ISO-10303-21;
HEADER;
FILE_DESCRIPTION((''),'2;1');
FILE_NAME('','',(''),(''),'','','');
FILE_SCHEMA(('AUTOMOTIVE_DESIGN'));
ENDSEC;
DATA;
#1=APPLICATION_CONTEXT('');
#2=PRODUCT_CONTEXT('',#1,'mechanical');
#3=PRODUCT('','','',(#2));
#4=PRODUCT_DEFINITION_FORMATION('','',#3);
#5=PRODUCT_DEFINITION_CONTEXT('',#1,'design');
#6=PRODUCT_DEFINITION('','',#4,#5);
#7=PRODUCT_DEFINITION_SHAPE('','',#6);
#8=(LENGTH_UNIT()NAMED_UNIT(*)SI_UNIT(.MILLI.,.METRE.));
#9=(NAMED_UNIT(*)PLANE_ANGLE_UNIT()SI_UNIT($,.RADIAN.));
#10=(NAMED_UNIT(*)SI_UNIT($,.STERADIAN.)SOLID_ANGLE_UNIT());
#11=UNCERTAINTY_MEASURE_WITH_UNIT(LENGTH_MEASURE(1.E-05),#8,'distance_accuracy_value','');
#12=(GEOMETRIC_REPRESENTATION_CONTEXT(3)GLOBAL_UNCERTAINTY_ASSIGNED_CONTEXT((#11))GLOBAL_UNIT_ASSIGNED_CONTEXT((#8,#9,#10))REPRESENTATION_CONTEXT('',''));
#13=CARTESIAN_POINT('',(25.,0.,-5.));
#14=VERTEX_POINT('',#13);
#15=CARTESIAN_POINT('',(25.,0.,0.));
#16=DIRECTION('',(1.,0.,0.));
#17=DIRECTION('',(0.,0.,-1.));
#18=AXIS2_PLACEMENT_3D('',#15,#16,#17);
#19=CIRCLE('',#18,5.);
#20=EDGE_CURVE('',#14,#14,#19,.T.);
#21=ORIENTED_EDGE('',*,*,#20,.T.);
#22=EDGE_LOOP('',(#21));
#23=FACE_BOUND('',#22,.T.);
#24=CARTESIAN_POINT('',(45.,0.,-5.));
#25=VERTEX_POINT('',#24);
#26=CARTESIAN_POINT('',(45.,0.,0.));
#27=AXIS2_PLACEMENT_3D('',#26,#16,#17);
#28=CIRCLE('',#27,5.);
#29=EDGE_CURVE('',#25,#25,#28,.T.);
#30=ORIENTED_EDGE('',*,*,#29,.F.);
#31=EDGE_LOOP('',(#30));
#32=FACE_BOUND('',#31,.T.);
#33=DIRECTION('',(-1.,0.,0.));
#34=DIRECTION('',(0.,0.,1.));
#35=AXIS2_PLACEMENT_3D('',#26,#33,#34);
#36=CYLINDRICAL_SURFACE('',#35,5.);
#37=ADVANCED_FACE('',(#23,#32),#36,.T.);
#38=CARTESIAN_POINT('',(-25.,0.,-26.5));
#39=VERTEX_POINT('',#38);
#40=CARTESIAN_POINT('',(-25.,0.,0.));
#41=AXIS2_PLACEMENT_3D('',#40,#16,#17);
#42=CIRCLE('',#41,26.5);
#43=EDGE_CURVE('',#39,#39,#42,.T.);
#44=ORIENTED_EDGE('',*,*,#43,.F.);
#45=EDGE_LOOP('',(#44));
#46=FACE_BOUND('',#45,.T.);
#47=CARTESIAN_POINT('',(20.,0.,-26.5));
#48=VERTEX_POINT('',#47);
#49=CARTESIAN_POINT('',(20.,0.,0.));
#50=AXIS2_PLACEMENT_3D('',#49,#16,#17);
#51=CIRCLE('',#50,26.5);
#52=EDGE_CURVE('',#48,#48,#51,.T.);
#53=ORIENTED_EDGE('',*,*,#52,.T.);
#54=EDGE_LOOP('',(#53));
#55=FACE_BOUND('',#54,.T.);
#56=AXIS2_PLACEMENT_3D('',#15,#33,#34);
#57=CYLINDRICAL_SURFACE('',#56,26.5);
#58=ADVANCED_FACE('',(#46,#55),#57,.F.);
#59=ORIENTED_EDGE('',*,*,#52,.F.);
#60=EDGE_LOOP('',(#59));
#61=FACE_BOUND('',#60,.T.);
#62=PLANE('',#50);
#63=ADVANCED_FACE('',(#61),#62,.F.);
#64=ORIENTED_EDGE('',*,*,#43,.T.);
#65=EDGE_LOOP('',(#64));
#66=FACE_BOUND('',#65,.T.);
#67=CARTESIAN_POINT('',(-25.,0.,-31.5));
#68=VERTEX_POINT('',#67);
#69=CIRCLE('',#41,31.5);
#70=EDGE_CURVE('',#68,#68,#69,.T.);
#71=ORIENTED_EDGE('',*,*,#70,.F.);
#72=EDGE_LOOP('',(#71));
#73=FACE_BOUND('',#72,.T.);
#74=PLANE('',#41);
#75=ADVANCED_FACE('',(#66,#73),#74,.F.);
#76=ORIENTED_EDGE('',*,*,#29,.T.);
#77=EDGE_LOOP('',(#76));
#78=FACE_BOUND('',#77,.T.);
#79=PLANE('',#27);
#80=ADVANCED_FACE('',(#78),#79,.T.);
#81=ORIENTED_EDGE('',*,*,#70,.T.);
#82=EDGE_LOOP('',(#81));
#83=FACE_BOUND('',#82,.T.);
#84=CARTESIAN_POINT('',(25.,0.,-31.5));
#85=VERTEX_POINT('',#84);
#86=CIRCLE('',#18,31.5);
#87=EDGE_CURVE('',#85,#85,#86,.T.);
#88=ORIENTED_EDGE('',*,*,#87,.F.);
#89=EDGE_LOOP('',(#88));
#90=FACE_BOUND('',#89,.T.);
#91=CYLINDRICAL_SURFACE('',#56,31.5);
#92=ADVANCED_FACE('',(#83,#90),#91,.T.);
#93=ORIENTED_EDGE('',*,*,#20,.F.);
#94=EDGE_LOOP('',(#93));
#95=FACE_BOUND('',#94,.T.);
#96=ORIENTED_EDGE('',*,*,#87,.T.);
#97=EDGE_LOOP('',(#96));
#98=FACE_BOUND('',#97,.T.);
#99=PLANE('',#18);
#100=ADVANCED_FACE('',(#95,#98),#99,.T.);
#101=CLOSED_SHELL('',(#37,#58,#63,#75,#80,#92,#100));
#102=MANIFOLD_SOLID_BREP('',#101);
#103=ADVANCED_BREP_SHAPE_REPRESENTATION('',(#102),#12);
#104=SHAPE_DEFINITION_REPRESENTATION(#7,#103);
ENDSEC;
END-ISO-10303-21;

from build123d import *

# Parameters (mm, degrees)
SKETCH1_R           = 31.5
BOSS_EXTRUDE1_DEPTH = 25
SHELL1_T            = -5
SKETCH2_R           = 5
BOSS_EXTRUDE3_DEPTH = 20


with BuildPart() as part:
    # Sketch1 → Boss-Extrude1 (new, symmetric)
    with BuildSketch(Plane(origin=(0, 0, 0), x_dir=(0, 0, -1), z_dir=(1, 0, 0))):
        Circle(SKETCH1_R)
    extrude(amount=BOSS_EXTRUDE1_DEPTH, both=True)

    # Shell1
    shell1_openings = [part.faces().sort_by_distance(p)[0] for p in [
        (-25, 0, 0),
    ]]
    offset(amount=SHELL1_T, openings=shell1_openings, kind=Kind.INTERSECTION)

    # Sketch2 → Boss-Extrude3 (add)
    with BuildSketch(Plane(origin=(25, 0, 0), x_dir=(0, 0, -1), z_dir=(1, 0, 0))):
        Circle(SKETCH2_R)
    extrude(amount=BOSS_EXTRUDE3_DEPTH)


solid = part.part
